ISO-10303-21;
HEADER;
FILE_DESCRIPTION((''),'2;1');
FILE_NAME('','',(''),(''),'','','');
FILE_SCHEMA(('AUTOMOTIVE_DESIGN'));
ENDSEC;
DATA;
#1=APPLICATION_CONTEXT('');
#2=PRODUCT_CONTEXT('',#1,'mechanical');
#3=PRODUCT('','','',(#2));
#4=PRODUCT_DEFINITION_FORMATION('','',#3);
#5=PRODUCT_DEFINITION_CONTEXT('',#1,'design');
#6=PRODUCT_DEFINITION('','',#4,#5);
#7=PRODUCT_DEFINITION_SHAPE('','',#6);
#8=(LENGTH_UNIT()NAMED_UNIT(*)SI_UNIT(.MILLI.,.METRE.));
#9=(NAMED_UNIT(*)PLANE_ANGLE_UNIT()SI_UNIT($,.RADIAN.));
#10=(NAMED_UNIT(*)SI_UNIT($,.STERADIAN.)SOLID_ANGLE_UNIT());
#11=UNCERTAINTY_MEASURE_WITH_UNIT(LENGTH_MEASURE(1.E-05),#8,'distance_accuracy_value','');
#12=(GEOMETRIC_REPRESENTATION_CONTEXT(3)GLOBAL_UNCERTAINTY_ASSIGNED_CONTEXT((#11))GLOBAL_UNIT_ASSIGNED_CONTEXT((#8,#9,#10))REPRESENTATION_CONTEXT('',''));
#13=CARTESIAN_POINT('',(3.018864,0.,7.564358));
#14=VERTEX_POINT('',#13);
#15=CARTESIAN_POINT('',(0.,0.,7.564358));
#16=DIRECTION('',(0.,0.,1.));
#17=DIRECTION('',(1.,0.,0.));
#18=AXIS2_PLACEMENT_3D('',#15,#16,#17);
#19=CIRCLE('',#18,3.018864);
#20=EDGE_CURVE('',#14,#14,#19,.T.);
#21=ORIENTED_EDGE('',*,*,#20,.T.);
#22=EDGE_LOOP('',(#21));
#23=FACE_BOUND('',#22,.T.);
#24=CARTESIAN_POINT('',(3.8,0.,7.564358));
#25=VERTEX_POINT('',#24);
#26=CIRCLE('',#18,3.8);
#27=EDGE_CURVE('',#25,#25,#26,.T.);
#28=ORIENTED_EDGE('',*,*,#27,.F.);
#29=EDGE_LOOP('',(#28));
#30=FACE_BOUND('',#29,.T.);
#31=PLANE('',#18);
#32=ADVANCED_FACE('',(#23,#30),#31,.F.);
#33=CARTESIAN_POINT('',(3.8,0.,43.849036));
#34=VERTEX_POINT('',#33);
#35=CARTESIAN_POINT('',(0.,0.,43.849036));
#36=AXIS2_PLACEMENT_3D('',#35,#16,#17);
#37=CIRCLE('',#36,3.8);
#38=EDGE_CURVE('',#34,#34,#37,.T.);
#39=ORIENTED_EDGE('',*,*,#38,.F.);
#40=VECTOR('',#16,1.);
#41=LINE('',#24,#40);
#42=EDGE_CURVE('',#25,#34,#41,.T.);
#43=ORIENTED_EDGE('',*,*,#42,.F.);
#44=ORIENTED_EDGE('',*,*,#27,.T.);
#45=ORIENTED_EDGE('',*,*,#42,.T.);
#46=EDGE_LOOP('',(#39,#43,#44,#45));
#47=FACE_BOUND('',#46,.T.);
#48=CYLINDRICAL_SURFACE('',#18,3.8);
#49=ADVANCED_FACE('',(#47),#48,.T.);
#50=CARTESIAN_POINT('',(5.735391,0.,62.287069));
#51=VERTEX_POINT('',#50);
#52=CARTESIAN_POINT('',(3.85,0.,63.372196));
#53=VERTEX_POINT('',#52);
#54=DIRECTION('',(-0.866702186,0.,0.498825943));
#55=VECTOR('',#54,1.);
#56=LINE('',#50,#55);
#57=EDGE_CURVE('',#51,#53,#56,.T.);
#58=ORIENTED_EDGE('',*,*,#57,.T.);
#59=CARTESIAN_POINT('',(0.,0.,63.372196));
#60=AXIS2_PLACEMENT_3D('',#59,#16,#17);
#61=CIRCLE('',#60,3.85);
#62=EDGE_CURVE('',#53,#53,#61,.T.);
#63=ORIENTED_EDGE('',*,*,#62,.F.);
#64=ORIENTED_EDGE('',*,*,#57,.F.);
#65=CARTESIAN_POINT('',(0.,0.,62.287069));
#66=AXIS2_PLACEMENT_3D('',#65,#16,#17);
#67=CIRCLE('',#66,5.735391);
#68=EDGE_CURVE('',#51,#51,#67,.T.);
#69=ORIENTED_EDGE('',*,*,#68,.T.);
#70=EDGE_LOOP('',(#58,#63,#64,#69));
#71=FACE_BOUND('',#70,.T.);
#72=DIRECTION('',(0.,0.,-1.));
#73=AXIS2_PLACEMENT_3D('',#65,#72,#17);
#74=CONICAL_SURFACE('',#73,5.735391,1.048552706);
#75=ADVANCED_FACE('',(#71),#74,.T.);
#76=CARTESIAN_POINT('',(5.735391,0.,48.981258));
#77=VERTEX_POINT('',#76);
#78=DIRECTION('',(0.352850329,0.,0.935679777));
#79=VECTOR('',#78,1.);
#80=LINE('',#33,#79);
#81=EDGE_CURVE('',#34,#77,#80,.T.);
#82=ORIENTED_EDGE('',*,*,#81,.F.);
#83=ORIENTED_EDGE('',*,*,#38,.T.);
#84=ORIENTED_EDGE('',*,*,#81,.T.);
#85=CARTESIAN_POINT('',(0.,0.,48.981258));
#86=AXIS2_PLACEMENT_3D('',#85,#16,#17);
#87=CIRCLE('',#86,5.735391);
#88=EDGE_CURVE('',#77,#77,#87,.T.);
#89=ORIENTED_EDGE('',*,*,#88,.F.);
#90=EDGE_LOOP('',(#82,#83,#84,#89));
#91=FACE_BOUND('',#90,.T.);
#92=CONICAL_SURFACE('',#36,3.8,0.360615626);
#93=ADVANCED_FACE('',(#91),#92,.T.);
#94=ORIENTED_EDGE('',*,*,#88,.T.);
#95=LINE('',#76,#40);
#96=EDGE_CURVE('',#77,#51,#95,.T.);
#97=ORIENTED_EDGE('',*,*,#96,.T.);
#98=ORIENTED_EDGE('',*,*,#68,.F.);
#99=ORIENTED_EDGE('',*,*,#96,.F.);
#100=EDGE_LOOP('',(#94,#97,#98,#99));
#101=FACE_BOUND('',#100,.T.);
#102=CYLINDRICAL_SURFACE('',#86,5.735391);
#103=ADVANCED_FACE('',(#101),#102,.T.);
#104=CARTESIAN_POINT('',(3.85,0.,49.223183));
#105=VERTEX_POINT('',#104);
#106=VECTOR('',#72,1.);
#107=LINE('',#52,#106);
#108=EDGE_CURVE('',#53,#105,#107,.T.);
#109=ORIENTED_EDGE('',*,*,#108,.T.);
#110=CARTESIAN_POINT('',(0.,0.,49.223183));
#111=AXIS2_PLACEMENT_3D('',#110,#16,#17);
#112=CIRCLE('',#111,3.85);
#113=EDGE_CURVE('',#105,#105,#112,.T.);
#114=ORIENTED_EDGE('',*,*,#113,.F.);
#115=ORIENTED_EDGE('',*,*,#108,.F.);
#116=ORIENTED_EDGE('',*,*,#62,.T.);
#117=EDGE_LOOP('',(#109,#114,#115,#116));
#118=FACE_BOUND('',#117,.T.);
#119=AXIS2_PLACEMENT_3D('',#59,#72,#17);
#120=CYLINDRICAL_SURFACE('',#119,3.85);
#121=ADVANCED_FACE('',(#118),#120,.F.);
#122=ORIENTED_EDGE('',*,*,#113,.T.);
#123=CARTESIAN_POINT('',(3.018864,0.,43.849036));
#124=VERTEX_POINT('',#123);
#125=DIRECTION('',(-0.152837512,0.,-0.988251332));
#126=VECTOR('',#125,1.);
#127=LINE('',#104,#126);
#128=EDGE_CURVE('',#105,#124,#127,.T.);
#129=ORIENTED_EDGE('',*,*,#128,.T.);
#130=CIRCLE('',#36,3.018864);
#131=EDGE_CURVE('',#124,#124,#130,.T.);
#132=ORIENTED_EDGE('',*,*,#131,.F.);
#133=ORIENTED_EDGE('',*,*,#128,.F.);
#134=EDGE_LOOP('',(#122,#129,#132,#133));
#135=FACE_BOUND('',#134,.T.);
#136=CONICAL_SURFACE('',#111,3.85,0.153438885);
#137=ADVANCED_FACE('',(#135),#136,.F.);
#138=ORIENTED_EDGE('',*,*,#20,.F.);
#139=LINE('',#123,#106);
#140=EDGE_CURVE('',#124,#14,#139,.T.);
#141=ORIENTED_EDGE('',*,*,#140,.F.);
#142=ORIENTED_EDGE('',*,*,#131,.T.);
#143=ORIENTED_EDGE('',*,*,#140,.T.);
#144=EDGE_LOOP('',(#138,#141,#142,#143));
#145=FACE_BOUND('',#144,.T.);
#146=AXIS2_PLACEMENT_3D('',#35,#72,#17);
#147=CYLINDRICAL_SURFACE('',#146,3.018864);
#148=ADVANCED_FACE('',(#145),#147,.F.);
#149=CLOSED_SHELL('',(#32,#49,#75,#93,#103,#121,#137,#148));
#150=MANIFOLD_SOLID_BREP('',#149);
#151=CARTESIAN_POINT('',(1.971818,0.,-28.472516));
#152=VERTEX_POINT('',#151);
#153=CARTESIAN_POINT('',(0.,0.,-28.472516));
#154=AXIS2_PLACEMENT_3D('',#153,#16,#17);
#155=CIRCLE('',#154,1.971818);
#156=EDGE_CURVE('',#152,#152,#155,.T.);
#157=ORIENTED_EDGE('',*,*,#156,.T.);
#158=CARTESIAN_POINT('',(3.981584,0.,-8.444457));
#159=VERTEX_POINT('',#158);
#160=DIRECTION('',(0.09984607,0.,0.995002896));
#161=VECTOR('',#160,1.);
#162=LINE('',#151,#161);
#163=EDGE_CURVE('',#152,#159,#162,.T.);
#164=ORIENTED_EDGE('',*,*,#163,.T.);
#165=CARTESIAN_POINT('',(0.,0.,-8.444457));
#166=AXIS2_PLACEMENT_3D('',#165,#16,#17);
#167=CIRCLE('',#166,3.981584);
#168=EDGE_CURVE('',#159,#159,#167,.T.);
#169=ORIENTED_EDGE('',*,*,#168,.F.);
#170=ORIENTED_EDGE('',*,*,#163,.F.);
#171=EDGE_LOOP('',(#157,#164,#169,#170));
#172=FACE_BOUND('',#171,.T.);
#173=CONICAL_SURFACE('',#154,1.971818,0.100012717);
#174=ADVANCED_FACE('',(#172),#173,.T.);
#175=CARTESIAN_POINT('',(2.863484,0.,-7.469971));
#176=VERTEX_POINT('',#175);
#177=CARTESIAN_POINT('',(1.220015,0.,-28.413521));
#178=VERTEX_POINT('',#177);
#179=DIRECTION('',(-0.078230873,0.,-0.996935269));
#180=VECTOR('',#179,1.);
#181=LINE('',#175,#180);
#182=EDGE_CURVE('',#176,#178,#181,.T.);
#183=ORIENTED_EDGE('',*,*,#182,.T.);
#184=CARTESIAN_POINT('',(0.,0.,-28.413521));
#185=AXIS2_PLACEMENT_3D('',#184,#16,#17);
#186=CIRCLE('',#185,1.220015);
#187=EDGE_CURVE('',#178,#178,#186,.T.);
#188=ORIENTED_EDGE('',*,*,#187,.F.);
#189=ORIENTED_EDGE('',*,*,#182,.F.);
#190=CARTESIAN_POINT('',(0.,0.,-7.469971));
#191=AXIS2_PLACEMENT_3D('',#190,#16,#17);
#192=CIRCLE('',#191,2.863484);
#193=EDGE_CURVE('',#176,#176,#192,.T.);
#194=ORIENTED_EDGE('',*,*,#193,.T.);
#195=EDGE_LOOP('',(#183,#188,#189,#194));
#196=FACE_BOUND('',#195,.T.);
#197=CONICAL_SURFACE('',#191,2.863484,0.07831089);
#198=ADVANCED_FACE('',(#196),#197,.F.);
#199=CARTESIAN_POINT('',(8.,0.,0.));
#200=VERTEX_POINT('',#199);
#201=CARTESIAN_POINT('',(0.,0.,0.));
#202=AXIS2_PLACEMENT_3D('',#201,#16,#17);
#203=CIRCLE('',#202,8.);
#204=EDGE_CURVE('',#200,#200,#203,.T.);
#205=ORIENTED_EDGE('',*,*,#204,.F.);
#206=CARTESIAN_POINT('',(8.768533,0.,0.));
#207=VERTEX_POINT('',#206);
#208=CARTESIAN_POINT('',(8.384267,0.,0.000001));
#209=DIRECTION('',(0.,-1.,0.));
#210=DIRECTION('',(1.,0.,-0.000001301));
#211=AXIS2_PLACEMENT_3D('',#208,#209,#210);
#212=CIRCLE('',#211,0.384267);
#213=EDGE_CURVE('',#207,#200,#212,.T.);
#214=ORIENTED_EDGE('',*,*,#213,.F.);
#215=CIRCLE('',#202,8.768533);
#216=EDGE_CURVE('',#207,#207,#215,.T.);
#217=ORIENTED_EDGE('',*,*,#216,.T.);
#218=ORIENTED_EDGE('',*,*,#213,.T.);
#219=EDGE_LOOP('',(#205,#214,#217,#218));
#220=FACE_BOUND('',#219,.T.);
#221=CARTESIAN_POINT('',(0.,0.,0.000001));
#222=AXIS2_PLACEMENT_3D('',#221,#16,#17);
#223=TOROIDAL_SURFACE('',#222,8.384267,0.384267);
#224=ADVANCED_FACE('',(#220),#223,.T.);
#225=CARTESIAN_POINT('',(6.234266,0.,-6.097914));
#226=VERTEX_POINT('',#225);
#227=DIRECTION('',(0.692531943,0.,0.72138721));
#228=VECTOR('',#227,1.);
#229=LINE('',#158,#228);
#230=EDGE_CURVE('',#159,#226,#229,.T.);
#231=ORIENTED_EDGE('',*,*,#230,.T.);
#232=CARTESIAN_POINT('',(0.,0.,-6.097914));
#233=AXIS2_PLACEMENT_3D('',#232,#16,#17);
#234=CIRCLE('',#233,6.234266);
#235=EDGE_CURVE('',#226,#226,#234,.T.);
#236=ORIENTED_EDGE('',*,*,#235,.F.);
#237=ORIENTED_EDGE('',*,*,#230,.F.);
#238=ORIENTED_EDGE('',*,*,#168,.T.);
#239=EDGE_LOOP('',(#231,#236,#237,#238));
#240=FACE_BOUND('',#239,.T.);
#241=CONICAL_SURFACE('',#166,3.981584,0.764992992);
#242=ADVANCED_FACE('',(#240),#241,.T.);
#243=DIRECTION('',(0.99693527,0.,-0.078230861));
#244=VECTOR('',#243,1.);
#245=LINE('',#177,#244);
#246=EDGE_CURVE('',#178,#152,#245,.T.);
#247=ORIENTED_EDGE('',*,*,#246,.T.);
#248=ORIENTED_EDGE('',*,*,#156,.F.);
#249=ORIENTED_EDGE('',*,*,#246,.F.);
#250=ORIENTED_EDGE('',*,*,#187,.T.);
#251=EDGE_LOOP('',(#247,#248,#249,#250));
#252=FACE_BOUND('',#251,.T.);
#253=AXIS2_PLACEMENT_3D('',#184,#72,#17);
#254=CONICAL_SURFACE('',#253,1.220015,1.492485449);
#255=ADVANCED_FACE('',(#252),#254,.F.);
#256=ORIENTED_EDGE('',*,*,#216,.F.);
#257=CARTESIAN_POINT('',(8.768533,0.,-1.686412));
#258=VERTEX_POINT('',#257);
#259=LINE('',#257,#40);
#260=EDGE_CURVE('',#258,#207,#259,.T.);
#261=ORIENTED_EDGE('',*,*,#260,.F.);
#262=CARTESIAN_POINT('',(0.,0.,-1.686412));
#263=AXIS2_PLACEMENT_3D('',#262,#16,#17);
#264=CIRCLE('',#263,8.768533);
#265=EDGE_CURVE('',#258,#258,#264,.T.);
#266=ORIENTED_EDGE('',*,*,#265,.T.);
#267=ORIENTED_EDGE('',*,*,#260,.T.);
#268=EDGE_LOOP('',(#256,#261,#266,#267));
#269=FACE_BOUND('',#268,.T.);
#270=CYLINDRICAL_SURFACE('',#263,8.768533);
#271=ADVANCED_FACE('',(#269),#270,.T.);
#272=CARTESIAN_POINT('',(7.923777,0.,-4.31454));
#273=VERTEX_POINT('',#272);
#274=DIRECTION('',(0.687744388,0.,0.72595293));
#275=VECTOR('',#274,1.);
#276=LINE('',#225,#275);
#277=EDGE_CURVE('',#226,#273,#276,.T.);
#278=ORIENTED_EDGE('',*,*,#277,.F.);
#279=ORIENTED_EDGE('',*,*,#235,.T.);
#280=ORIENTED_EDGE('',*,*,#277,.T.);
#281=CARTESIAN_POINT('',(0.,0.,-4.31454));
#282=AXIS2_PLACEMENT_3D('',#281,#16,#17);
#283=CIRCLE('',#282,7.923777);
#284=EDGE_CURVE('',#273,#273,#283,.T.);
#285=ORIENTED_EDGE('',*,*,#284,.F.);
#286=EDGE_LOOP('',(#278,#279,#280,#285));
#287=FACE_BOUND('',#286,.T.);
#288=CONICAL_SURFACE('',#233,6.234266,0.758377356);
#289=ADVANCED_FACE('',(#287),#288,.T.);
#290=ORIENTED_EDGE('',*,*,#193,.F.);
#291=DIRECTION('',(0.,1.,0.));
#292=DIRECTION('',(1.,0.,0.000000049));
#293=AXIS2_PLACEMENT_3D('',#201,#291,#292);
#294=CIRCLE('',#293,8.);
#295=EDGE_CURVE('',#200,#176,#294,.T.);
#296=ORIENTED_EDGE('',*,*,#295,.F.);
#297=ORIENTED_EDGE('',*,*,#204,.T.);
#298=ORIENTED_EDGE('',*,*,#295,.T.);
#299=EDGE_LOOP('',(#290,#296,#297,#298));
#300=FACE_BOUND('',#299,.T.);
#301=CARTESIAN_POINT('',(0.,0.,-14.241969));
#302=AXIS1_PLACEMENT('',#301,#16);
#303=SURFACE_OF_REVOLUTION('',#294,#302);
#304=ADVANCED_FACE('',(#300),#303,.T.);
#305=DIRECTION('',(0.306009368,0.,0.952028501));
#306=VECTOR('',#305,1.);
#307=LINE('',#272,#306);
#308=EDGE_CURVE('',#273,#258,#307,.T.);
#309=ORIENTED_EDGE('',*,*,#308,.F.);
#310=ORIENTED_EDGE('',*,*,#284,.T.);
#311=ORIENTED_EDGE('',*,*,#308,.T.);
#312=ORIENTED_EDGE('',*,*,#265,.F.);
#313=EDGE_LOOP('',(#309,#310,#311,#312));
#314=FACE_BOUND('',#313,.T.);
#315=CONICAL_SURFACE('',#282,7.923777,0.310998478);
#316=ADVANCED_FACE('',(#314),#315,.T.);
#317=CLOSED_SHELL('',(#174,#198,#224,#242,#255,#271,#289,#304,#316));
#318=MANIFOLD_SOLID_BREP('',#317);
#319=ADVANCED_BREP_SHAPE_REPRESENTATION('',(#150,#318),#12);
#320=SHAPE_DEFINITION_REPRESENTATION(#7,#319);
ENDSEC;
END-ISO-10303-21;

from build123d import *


with BuildPart() as f1:
    # F0 (on Front) → F1 (revolve)
    with BuildSketch(Plane.XZ):
        with BuildLine():
            ThreePointArc((8.768533, 0), (8.384267, 0.384267), (8, 0))
            ThreePointArc((8, 0), (6.59196, -4.532777), (2.863484, -7.469971))
            Line((2.863484, -7.469971), (1.220015, -28.413521))
            Line((1.220015, -28.413521), (1.971818, -28.472516))
            Line((1.971818, -28.472516), (3.981584, -8.444457))
            Line((3.981584, -8.444457), (6.234266, -6.097914))
            Line((6.234266, -6.097914), (7.923777, -4.31454))
            Line((7.923777, -4.31454), (8.768533, -1.686412))
            Line((8.768533, -1.686412), (8.768533, 0))
        make_face()
    revolve(axis=Axis((0, 0, -14.241969), (0, 0, 1)))


with BuildPart() as f3:
    # F2 (on Front) → F3 (revolve)
    with BuildSketch(Plane.XZ):
        Polygon((5.735391, 62.287069), (3.85, 63.372196), (3.85, 49.223183), (3.018864, 43.849036), (3.018864, 7.564358), (3.8, 7.564358), (3.8, 43.849036), (5.735391, 48.981258), align=None)
    revolve(axis=Axis((0, 0, 35.064268), (0, 0, 1)))


solid = Compound([f1.part, f3.part])
